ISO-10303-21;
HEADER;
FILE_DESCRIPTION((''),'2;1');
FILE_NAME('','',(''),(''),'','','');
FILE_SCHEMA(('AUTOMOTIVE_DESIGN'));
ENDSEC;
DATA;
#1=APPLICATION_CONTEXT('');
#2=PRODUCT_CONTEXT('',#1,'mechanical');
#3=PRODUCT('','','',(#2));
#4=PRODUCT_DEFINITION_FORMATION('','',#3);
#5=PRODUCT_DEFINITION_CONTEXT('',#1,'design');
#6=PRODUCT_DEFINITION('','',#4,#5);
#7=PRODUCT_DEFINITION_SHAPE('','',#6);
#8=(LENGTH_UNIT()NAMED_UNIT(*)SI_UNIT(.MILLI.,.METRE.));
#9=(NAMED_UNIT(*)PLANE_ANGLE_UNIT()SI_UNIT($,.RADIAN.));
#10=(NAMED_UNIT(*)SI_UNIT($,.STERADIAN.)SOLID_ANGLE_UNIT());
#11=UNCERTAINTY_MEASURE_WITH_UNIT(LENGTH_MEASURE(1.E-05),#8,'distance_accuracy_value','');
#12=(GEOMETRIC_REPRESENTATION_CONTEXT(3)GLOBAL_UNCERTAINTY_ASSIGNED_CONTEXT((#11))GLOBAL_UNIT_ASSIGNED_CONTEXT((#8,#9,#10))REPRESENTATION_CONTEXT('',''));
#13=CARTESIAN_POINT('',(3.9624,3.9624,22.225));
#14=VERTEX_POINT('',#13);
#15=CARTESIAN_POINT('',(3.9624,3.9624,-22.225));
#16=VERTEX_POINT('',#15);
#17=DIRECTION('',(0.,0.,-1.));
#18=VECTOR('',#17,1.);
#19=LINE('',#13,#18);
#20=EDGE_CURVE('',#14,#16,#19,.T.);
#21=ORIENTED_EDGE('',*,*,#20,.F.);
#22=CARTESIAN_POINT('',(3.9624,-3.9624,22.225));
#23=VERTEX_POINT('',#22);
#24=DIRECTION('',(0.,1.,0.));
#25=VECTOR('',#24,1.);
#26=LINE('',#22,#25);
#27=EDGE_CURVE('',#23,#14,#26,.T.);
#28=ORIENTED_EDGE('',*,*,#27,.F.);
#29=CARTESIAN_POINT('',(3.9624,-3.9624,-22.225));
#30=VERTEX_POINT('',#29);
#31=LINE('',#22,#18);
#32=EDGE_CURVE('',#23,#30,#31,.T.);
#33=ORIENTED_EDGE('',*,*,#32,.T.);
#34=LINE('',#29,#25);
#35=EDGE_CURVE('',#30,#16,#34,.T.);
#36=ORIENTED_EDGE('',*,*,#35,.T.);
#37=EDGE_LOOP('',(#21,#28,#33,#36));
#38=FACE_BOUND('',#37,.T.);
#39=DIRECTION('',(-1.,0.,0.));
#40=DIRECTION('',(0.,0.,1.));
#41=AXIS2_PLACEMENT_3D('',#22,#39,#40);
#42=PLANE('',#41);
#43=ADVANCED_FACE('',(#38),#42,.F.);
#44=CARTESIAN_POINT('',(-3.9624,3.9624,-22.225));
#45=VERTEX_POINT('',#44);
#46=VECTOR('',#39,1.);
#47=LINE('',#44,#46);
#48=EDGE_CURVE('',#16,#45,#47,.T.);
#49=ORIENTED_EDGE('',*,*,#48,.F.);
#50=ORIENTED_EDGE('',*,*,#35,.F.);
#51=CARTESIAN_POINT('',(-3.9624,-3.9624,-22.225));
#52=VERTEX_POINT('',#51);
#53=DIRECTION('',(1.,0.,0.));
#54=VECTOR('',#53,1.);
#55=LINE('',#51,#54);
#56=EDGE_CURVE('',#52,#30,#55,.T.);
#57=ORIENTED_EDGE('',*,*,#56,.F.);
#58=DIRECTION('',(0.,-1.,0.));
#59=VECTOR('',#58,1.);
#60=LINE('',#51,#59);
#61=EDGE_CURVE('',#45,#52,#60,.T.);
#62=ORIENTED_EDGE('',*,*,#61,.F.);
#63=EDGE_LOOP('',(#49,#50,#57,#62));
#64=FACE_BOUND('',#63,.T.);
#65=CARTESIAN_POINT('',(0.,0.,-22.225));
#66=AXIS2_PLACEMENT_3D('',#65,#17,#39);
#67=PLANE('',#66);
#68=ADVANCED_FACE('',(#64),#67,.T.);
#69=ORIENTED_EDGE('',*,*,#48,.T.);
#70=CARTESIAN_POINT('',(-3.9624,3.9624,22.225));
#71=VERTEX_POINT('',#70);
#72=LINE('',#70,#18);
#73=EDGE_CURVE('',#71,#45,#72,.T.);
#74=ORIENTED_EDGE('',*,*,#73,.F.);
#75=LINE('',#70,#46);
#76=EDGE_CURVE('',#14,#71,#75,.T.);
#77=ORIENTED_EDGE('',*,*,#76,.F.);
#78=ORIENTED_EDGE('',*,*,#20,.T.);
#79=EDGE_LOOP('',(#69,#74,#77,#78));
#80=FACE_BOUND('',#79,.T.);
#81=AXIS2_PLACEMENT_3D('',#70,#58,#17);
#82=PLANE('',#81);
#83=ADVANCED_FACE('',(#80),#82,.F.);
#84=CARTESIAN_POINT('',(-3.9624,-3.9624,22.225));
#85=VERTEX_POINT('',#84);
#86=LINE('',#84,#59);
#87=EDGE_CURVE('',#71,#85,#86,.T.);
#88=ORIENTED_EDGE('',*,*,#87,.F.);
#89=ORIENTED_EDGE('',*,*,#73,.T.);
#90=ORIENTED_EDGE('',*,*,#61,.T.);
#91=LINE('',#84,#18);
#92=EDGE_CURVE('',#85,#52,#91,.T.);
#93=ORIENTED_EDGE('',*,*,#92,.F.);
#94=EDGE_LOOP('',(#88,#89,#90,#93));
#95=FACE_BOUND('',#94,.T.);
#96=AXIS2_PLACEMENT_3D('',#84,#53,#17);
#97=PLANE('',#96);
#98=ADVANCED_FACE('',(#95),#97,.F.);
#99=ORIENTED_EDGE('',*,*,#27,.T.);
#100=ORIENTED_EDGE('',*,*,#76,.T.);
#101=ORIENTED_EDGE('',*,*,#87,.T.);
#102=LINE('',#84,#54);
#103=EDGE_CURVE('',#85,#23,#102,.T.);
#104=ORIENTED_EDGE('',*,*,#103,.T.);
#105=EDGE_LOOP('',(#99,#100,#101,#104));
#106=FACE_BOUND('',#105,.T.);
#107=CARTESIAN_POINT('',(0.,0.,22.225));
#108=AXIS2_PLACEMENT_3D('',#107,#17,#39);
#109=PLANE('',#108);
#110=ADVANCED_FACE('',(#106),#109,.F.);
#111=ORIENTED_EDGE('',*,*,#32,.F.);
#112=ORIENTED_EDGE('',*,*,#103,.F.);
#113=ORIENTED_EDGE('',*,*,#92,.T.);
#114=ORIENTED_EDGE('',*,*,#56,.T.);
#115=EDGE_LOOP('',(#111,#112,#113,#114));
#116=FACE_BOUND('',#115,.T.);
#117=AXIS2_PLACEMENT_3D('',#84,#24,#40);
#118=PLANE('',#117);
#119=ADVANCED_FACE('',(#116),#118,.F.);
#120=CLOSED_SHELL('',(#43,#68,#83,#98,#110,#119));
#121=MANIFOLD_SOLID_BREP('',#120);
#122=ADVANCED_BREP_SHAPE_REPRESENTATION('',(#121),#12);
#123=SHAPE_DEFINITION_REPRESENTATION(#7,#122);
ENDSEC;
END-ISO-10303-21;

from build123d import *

# Parameters (mm, degrees)
SKETCH1_W           = 7.9248
SKETCH1_H           = 7.9248
BOSS_EXTRUDE1_DEPTH = 22.225


with BuildPart() as part:
    # Sketch1 → Boss-Extrude1 (new, symmetric)
    with BuildSketch(Plane.XY):
        Rectangle(SKETCH1_W, SKETCH1_H)
    extrude(amount=BOSS_EXTRUDE1_DEPTH, both=True)


solid = part.part
